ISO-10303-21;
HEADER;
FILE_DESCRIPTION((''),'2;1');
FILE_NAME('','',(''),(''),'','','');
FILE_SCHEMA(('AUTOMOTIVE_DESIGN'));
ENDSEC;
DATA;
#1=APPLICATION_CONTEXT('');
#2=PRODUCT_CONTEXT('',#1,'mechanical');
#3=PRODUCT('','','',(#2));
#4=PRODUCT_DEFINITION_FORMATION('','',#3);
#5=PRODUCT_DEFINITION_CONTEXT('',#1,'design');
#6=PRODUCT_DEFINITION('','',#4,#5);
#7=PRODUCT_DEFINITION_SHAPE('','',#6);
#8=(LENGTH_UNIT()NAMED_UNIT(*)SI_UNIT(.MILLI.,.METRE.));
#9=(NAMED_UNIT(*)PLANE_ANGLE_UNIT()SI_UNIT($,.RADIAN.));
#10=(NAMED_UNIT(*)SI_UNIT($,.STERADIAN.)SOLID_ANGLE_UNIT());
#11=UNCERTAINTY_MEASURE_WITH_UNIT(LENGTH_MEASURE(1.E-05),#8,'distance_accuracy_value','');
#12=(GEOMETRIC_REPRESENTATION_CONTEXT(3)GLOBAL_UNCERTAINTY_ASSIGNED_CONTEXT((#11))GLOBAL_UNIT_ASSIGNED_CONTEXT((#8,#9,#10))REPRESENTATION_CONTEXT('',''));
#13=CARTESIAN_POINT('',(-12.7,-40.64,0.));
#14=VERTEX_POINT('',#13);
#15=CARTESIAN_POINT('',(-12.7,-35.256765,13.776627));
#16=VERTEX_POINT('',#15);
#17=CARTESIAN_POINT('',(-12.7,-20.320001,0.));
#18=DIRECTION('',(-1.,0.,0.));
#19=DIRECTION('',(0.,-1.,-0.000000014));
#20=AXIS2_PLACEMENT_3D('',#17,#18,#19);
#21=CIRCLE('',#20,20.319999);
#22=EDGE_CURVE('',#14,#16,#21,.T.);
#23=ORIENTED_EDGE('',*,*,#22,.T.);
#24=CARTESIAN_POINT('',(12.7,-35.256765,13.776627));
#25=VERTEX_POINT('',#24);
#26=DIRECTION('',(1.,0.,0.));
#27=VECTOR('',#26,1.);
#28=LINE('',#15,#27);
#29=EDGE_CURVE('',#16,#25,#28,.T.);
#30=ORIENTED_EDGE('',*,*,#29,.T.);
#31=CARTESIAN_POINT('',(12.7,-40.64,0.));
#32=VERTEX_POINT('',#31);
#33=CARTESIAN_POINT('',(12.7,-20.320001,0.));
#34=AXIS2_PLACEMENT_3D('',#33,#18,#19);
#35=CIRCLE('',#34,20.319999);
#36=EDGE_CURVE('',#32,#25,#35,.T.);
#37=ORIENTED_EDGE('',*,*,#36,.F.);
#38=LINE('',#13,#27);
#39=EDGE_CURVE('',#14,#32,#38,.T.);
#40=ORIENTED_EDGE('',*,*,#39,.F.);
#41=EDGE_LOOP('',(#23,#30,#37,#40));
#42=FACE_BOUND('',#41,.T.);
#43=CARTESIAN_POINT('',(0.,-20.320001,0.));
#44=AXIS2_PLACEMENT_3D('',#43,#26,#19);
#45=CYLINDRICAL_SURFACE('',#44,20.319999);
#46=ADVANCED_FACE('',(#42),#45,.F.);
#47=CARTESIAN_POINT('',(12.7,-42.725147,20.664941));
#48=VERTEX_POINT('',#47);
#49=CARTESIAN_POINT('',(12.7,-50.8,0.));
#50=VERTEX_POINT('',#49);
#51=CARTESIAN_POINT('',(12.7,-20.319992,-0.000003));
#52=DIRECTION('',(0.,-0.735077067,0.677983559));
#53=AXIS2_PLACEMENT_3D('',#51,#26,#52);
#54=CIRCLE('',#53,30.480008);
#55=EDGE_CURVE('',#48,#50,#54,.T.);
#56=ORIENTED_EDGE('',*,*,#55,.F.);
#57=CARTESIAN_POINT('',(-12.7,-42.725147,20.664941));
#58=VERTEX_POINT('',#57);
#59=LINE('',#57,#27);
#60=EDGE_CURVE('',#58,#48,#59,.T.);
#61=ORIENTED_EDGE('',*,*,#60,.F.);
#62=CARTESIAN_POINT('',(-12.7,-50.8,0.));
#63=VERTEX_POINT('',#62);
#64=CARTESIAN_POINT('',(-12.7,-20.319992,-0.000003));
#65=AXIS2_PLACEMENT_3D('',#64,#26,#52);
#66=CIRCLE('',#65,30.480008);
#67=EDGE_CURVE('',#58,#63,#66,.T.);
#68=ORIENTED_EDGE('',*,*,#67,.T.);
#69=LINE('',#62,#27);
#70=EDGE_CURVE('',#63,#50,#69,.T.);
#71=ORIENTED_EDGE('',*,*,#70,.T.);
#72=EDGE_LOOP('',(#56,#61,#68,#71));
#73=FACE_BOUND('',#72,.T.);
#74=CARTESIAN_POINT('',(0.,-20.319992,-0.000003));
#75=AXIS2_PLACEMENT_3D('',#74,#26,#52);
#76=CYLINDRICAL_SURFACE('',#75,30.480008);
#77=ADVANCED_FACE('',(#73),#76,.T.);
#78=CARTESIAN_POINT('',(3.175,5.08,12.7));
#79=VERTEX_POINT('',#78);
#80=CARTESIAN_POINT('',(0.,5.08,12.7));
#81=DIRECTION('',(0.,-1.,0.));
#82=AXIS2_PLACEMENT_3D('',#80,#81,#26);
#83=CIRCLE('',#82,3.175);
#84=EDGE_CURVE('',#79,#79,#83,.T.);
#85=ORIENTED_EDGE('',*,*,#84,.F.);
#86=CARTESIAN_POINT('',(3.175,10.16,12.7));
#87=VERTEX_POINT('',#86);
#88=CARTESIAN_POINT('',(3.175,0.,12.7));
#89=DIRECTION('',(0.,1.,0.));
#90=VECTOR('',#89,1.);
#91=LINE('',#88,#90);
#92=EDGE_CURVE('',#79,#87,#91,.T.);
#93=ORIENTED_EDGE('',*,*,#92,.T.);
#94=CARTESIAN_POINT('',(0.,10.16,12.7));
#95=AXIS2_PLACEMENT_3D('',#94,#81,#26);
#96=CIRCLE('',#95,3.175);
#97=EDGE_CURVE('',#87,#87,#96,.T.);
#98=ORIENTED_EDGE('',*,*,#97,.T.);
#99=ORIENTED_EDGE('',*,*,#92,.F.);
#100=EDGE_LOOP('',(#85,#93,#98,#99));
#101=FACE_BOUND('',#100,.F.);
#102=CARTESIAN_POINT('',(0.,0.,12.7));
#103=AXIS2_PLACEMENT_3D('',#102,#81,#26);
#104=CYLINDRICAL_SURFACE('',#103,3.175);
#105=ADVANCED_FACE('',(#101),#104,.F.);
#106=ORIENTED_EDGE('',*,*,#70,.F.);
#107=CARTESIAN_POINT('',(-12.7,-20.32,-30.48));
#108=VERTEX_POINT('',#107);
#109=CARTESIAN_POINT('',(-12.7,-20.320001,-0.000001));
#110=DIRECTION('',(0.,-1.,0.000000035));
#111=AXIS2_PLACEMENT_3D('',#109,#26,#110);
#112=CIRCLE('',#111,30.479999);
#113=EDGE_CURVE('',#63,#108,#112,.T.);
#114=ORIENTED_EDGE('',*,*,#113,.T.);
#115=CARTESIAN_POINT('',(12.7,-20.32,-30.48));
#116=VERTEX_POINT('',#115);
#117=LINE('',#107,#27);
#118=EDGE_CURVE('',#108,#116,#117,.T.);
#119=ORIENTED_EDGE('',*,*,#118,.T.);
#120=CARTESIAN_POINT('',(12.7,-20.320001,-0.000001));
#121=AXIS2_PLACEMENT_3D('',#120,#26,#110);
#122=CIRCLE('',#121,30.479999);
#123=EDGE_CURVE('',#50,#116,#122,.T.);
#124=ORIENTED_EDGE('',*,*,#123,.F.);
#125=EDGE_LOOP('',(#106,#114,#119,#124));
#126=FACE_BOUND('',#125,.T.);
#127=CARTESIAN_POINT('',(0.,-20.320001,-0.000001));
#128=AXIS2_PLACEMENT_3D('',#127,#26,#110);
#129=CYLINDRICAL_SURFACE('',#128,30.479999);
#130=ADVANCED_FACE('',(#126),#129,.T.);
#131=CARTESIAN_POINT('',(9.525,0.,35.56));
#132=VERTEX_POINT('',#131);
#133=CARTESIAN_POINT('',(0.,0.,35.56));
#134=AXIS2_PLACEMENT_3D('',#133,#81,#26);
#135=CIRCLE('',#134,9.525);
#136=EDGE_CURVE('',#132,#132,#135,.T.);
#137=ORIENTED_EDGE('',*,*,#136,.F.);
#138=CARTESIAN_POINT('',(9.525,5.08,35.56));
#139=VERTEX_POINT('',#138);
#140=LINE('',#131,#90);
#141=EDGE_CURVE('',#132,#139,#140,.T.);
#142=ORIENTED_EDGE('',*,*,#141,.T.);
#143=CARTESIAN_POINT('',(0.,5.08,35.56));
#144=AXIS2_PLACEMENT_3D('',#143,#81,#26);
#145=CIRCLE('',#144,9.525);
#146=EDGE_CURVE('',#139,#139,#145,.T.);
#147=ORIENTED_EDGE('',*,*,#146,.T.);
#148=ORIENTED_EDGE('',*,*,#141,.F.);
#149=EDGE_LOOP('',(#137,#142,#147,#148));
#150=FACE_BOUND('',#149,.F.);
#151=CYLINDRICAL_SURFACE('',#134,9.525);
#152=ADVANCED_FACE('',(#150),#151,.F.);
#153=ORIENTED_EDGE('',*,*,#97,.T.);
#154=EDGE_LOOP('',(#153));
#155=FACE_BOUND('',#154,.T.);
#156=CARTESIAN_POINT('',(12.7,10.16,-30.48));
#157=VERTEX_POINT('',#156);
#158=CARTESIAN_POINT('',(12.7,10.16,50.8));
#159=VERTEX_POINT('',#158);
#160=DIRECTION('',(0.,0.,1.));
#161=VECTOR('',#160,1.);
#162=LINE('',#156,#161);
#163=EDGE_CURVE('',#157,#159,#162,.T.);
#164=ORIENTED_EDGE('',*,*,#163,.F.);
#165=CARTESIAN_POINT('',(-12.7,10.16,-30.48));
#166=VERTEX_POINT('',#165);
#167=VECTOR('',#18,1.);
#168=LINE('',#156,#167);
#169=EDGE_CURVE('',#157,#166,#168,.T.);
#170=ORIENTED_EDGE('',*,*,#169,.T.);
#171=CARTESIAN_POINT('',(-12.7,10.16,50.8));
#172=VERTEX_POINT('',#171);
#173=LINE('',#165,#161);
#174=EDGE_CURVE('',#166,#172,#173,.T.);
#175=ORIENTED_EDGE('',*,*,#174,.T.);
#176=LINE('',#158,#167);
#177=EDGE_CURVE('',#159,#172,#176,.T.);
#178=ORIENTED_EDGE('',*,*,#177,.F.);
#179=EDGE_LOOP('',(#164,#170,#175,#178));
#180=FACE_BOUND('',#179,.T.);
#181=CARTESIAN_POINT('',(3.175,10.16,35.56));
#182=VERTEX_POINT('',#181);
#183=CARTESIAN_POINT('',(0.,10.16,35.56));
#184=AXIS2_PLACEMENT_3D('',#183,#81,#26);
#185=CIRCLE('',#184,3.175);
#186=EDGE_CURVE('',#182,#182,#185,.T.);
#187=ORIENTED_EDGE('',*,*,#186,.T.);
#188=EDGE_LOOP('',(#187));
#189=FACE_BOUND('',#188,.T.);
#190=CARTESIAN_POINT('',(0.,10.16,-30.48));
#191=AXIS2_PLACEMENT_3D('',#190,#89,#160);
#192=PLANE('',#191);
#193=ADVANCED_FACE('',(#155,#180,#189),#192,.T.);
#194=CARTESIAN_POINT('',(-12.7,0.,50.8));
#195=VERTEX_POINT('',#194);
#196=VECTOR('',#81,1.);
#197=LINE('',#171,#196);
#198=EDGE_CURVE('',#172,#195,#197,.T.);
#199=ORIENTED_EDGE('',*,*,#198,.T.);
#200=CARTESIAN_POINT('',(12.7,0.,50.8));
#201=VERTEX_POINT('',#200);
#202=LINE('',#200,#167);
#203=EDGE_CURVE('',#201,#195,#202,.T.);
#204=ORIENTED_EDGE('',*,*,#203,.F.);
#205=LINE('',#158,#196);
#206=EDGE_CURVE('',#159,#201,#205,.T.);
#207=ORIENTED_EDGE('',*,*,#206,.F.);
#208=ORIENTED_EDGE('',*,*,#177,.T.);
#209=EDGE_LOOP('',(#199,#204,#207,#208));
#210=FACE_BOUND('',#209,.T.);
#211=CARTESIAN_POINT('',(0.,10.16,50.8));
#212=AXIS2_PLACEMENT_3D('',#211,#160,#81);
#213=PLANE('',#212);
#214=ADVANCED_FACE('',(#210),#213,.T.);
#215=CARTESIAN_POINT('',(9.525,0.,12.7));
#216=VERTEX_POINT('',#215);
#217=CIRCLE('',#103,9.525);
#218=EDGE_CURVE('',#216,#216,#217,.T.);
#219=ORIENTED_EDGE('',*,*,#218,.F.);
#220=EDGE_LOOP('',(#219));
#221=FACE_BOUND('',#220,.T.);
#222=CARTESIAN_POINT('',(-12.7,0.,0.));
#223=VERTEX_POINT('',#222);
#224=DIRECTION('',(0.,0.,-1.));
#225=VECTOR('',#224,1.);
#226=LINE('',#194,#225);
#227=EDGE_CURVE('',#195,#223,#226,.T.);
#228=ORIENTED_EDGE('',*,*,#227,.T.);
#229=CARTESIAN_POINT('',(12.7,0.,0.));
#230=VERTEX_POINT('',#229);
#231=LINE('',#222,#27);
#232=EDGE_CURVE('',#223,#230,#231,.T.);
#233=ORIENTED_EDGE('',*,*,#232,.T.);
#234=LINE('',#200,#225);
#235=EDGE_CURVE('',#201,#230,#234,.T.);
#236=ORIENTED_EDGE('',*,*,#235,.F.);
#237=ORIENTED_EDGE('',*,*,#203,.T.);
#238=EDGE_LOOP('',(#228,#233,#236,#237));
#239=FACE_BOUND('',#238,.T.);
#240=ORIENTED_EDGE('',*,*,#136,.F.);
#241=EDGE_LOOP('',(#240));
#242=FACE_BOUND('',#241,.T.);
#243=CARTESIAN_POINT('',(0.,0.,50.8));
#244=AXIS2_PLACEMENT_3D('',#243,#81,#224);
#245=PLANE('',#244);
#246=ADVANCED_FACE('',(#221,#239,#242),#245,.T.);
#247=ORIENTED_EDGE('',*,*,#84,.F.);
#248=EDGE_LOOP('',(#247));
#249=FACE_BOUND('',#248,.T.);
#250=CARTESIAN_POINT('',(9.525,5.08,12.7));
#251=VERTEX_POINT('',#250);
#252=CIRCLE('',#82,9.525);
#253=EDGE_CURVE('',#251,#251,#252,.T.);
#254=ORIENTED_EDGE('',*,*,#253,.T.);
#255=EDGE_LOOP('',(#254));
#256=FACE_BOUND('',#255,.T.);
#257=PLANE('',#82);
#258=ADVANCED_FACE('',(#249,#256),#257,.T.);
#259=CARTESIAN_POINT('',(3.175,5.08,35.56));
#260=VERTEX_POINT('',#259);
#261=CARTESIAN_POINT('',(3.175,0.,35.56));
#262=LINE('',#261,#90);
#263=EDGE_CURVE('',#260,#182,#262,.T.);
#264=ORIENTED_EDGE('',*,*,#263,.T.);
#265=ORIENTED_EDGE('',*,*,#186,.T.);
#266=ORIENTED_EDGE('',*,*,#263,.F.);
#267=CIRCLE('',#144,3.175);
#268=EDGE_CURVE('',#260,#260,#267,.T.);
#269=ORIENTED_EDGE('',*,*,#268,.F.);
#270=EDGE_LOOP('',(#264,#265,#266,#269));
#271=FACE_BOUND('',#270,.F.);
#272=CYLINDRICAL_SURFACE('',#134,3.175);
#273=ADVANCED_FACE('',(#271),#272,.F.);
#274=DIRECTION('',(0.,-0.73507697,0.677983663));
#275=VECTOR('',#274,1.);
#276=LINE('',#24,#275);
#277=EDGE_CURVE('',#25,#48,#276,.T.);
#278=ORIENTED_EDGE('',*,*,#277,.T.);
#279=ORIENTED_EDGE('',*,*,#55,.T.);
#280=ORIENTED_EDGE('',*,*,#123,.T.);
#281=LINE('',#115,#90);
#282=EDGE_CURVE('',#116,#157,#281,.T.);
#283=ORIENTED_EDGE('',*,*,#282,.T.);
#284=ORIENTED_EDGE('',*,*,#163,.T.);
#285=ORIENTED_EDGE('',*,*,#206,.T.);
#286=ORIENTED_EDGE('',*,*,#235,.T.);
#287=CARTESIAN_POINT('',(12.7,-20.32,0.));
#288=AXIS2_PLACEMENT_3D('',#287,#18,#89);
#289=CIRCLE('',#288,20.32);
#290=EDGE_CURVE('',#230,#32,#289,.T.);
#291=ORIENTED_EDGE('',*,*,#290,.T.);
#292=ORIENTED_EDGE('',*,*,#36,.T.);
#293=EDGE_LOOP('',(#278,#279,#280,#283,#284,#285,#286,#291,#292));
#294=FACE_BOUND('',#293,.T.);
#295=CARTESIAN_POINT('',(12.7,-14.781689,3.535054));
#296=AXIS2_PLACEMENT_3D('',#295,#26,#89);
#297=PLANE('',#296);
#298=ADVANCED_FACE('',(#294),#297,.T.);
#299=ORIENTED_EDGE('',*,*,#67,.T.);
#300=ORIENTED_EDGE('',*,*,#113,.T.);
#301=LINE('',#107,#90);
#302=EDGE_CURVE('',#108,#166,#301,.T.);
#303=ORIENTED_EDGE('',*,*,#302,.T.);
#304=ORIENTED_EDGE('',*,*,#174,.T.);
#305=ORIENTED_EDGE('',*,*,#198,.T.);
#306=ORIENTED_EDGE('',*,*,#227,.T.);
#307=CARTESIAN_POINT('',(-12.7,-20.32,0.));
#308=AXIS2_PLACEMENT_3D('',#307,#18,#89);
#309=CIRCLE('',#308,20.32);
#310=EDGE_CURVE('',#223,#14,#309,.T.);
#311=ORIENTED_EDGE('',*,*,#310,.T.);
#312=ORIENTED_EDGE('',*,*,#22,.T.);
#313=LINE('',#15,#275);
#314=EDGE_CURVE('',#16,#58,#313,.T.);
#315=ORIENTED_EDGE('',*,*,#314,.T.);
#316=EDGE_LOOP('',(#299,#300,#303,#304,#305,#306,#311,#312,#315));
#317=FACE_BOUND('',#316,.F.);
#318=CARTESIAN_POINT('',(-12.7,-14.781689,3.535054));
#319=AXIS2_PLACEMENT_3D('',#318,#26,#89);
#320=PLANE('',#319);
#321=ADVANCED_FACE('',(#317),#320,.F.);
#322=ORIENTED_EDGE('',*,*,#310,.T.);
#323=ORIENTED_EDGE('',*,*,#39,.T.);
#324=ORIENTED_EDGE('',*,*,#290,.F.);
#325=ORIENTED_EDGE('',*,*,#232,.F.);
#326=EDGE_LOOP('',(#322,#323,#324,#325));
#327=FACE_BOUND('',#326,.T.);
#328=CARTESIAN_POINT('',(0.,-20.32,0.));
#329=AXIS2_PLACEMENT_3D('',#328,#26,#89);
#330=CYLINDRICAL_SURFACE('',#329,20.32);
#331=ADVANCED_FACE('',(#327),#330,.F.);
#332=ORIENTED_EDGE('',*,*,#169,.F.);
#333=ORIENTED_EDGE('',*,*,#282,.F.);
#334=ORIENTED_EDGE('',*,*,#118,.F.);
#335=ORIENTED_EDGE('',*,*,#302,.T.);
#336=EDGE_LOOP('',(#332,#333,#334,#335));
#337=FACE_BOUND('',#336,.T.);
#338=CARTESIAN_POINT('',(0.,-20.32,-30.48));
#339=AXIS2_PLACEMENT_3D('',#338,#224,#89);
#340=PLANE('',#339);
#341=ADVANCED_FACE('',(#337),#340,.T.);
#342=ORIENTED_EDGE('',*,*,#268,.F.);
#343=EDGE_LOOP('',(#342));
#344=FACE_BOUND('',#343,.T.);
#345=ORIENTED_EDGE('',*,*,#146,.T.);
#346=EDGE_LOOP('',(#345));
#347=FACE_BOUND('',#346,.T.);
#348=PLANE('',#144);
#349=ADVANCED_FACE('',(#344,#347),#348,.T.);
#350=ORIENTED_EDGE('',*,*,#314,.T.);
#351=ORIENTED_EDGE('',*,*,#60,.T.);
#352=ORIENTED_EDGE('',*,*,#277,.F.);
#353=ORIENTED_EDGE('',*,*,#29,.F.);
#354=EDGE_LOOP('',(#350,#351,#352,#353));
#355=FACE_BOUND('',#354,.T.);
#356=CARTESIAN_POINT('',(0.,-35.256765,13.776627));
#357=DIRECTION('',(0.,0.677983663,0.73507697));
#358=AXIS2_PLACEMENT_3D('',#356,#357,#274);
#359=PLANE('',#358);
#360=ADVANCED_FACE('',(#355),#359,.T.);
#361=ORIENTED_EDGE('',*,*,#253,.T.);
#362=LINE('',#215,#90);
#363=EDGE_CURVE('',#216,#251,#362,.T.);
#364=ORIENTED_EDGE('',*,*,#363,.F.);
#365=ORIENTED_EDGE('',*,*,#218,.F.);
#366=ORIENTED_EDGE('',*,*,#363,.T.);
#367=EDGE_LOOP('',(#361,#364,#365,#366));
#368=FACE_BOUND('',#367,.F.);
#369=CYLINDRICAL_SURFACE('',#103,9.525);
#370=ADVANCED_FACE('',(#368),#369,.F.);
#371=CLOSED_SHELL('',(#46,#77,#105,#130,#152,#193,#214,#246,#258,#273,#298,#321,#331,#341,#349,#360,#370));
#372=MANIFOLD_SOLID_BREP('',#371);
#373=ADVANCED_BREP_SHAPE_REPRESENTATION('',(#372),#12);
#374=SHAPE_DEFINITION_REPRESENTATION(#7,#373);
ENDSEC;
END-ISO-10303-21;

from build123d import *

# Parameters (mm, degrees)
F1_DEPTH = 12.7
F2_R     = 3.175
F3_DEPTH = 10.161
F2_R_2   = 9.525
F4_DEPTH = 5.08


with BuildPart() as f1:
    # F0 (on Right) → F1 (new body, symmetric)
    with BuildSketch(Plane.YZ):
        with BuildLine():
            Line((0, 50.8), (0, 0))
            ThreePointArc((0, 0), (-20.32, -20.32), (-40.64, 0))
            ThreePointArc((-40.64, 0), (-39.246403, 7.395517), (-35.256765, 13.776627))
            Line((-35.256765, 13.776627), (-42.725147, 20.664941))
            ThreePointArc((-42.725147, 20.664941), (-48.709604, 11.093275), (-50.8, 0))
            ThreePointArc((-50.8, 0), (-41.872615, -21.552615), (-20.32, -30.48))
            ThreePointArc((-20.32, -30.48), (1.232615, -21.552615), (10.16, 0))
            Line((10.16, 0), (10.16, 50.8))
            Line((10.16, 50.8), (0, 50.8))
        make_face()
        with BuildLine():
            Line((10.16, -30.48), (10.16, 0))
            ThreePointArc((10.16, 0), (1.232615, -21.552615), (-20.32, -30.48))
            Line((-20.32, -30.48), (10.16, -30.48))
        make_face()
    extrude(amount=F1_DEPTH, both=True)

    # F2 (on face) → F3 (cut, through all)
    with BuildSketch(Plane.XZ):
        with Locations((0, 35.56)):
            Circle(F2_R)
        with Locations((0, 12.7)):
            Circle(F2_R)
    extrude(amount=-F3_DEPTH, mode=Mode.SUBTRACT)

    # F2 (on face) → F4 (cut)
    with BuildSketch(Plane.XZ):
        with Locations((0, 35.56)):
            Circle(F2_R_2)
        with Locations((0, 35.56)):
            Circle(F2_R, mode=Mode.SUBTRACT)
        with Locations((0, 12.7)):
            Circle(F2_R_2)
        with Locations((0, 12.7)):
            Circle(F2_R, mode=Mode.SUBTRACT)
    extrude(amount=-F4_DEPTH, mode=Mode.SUBTRACT)


solid = f1.part
